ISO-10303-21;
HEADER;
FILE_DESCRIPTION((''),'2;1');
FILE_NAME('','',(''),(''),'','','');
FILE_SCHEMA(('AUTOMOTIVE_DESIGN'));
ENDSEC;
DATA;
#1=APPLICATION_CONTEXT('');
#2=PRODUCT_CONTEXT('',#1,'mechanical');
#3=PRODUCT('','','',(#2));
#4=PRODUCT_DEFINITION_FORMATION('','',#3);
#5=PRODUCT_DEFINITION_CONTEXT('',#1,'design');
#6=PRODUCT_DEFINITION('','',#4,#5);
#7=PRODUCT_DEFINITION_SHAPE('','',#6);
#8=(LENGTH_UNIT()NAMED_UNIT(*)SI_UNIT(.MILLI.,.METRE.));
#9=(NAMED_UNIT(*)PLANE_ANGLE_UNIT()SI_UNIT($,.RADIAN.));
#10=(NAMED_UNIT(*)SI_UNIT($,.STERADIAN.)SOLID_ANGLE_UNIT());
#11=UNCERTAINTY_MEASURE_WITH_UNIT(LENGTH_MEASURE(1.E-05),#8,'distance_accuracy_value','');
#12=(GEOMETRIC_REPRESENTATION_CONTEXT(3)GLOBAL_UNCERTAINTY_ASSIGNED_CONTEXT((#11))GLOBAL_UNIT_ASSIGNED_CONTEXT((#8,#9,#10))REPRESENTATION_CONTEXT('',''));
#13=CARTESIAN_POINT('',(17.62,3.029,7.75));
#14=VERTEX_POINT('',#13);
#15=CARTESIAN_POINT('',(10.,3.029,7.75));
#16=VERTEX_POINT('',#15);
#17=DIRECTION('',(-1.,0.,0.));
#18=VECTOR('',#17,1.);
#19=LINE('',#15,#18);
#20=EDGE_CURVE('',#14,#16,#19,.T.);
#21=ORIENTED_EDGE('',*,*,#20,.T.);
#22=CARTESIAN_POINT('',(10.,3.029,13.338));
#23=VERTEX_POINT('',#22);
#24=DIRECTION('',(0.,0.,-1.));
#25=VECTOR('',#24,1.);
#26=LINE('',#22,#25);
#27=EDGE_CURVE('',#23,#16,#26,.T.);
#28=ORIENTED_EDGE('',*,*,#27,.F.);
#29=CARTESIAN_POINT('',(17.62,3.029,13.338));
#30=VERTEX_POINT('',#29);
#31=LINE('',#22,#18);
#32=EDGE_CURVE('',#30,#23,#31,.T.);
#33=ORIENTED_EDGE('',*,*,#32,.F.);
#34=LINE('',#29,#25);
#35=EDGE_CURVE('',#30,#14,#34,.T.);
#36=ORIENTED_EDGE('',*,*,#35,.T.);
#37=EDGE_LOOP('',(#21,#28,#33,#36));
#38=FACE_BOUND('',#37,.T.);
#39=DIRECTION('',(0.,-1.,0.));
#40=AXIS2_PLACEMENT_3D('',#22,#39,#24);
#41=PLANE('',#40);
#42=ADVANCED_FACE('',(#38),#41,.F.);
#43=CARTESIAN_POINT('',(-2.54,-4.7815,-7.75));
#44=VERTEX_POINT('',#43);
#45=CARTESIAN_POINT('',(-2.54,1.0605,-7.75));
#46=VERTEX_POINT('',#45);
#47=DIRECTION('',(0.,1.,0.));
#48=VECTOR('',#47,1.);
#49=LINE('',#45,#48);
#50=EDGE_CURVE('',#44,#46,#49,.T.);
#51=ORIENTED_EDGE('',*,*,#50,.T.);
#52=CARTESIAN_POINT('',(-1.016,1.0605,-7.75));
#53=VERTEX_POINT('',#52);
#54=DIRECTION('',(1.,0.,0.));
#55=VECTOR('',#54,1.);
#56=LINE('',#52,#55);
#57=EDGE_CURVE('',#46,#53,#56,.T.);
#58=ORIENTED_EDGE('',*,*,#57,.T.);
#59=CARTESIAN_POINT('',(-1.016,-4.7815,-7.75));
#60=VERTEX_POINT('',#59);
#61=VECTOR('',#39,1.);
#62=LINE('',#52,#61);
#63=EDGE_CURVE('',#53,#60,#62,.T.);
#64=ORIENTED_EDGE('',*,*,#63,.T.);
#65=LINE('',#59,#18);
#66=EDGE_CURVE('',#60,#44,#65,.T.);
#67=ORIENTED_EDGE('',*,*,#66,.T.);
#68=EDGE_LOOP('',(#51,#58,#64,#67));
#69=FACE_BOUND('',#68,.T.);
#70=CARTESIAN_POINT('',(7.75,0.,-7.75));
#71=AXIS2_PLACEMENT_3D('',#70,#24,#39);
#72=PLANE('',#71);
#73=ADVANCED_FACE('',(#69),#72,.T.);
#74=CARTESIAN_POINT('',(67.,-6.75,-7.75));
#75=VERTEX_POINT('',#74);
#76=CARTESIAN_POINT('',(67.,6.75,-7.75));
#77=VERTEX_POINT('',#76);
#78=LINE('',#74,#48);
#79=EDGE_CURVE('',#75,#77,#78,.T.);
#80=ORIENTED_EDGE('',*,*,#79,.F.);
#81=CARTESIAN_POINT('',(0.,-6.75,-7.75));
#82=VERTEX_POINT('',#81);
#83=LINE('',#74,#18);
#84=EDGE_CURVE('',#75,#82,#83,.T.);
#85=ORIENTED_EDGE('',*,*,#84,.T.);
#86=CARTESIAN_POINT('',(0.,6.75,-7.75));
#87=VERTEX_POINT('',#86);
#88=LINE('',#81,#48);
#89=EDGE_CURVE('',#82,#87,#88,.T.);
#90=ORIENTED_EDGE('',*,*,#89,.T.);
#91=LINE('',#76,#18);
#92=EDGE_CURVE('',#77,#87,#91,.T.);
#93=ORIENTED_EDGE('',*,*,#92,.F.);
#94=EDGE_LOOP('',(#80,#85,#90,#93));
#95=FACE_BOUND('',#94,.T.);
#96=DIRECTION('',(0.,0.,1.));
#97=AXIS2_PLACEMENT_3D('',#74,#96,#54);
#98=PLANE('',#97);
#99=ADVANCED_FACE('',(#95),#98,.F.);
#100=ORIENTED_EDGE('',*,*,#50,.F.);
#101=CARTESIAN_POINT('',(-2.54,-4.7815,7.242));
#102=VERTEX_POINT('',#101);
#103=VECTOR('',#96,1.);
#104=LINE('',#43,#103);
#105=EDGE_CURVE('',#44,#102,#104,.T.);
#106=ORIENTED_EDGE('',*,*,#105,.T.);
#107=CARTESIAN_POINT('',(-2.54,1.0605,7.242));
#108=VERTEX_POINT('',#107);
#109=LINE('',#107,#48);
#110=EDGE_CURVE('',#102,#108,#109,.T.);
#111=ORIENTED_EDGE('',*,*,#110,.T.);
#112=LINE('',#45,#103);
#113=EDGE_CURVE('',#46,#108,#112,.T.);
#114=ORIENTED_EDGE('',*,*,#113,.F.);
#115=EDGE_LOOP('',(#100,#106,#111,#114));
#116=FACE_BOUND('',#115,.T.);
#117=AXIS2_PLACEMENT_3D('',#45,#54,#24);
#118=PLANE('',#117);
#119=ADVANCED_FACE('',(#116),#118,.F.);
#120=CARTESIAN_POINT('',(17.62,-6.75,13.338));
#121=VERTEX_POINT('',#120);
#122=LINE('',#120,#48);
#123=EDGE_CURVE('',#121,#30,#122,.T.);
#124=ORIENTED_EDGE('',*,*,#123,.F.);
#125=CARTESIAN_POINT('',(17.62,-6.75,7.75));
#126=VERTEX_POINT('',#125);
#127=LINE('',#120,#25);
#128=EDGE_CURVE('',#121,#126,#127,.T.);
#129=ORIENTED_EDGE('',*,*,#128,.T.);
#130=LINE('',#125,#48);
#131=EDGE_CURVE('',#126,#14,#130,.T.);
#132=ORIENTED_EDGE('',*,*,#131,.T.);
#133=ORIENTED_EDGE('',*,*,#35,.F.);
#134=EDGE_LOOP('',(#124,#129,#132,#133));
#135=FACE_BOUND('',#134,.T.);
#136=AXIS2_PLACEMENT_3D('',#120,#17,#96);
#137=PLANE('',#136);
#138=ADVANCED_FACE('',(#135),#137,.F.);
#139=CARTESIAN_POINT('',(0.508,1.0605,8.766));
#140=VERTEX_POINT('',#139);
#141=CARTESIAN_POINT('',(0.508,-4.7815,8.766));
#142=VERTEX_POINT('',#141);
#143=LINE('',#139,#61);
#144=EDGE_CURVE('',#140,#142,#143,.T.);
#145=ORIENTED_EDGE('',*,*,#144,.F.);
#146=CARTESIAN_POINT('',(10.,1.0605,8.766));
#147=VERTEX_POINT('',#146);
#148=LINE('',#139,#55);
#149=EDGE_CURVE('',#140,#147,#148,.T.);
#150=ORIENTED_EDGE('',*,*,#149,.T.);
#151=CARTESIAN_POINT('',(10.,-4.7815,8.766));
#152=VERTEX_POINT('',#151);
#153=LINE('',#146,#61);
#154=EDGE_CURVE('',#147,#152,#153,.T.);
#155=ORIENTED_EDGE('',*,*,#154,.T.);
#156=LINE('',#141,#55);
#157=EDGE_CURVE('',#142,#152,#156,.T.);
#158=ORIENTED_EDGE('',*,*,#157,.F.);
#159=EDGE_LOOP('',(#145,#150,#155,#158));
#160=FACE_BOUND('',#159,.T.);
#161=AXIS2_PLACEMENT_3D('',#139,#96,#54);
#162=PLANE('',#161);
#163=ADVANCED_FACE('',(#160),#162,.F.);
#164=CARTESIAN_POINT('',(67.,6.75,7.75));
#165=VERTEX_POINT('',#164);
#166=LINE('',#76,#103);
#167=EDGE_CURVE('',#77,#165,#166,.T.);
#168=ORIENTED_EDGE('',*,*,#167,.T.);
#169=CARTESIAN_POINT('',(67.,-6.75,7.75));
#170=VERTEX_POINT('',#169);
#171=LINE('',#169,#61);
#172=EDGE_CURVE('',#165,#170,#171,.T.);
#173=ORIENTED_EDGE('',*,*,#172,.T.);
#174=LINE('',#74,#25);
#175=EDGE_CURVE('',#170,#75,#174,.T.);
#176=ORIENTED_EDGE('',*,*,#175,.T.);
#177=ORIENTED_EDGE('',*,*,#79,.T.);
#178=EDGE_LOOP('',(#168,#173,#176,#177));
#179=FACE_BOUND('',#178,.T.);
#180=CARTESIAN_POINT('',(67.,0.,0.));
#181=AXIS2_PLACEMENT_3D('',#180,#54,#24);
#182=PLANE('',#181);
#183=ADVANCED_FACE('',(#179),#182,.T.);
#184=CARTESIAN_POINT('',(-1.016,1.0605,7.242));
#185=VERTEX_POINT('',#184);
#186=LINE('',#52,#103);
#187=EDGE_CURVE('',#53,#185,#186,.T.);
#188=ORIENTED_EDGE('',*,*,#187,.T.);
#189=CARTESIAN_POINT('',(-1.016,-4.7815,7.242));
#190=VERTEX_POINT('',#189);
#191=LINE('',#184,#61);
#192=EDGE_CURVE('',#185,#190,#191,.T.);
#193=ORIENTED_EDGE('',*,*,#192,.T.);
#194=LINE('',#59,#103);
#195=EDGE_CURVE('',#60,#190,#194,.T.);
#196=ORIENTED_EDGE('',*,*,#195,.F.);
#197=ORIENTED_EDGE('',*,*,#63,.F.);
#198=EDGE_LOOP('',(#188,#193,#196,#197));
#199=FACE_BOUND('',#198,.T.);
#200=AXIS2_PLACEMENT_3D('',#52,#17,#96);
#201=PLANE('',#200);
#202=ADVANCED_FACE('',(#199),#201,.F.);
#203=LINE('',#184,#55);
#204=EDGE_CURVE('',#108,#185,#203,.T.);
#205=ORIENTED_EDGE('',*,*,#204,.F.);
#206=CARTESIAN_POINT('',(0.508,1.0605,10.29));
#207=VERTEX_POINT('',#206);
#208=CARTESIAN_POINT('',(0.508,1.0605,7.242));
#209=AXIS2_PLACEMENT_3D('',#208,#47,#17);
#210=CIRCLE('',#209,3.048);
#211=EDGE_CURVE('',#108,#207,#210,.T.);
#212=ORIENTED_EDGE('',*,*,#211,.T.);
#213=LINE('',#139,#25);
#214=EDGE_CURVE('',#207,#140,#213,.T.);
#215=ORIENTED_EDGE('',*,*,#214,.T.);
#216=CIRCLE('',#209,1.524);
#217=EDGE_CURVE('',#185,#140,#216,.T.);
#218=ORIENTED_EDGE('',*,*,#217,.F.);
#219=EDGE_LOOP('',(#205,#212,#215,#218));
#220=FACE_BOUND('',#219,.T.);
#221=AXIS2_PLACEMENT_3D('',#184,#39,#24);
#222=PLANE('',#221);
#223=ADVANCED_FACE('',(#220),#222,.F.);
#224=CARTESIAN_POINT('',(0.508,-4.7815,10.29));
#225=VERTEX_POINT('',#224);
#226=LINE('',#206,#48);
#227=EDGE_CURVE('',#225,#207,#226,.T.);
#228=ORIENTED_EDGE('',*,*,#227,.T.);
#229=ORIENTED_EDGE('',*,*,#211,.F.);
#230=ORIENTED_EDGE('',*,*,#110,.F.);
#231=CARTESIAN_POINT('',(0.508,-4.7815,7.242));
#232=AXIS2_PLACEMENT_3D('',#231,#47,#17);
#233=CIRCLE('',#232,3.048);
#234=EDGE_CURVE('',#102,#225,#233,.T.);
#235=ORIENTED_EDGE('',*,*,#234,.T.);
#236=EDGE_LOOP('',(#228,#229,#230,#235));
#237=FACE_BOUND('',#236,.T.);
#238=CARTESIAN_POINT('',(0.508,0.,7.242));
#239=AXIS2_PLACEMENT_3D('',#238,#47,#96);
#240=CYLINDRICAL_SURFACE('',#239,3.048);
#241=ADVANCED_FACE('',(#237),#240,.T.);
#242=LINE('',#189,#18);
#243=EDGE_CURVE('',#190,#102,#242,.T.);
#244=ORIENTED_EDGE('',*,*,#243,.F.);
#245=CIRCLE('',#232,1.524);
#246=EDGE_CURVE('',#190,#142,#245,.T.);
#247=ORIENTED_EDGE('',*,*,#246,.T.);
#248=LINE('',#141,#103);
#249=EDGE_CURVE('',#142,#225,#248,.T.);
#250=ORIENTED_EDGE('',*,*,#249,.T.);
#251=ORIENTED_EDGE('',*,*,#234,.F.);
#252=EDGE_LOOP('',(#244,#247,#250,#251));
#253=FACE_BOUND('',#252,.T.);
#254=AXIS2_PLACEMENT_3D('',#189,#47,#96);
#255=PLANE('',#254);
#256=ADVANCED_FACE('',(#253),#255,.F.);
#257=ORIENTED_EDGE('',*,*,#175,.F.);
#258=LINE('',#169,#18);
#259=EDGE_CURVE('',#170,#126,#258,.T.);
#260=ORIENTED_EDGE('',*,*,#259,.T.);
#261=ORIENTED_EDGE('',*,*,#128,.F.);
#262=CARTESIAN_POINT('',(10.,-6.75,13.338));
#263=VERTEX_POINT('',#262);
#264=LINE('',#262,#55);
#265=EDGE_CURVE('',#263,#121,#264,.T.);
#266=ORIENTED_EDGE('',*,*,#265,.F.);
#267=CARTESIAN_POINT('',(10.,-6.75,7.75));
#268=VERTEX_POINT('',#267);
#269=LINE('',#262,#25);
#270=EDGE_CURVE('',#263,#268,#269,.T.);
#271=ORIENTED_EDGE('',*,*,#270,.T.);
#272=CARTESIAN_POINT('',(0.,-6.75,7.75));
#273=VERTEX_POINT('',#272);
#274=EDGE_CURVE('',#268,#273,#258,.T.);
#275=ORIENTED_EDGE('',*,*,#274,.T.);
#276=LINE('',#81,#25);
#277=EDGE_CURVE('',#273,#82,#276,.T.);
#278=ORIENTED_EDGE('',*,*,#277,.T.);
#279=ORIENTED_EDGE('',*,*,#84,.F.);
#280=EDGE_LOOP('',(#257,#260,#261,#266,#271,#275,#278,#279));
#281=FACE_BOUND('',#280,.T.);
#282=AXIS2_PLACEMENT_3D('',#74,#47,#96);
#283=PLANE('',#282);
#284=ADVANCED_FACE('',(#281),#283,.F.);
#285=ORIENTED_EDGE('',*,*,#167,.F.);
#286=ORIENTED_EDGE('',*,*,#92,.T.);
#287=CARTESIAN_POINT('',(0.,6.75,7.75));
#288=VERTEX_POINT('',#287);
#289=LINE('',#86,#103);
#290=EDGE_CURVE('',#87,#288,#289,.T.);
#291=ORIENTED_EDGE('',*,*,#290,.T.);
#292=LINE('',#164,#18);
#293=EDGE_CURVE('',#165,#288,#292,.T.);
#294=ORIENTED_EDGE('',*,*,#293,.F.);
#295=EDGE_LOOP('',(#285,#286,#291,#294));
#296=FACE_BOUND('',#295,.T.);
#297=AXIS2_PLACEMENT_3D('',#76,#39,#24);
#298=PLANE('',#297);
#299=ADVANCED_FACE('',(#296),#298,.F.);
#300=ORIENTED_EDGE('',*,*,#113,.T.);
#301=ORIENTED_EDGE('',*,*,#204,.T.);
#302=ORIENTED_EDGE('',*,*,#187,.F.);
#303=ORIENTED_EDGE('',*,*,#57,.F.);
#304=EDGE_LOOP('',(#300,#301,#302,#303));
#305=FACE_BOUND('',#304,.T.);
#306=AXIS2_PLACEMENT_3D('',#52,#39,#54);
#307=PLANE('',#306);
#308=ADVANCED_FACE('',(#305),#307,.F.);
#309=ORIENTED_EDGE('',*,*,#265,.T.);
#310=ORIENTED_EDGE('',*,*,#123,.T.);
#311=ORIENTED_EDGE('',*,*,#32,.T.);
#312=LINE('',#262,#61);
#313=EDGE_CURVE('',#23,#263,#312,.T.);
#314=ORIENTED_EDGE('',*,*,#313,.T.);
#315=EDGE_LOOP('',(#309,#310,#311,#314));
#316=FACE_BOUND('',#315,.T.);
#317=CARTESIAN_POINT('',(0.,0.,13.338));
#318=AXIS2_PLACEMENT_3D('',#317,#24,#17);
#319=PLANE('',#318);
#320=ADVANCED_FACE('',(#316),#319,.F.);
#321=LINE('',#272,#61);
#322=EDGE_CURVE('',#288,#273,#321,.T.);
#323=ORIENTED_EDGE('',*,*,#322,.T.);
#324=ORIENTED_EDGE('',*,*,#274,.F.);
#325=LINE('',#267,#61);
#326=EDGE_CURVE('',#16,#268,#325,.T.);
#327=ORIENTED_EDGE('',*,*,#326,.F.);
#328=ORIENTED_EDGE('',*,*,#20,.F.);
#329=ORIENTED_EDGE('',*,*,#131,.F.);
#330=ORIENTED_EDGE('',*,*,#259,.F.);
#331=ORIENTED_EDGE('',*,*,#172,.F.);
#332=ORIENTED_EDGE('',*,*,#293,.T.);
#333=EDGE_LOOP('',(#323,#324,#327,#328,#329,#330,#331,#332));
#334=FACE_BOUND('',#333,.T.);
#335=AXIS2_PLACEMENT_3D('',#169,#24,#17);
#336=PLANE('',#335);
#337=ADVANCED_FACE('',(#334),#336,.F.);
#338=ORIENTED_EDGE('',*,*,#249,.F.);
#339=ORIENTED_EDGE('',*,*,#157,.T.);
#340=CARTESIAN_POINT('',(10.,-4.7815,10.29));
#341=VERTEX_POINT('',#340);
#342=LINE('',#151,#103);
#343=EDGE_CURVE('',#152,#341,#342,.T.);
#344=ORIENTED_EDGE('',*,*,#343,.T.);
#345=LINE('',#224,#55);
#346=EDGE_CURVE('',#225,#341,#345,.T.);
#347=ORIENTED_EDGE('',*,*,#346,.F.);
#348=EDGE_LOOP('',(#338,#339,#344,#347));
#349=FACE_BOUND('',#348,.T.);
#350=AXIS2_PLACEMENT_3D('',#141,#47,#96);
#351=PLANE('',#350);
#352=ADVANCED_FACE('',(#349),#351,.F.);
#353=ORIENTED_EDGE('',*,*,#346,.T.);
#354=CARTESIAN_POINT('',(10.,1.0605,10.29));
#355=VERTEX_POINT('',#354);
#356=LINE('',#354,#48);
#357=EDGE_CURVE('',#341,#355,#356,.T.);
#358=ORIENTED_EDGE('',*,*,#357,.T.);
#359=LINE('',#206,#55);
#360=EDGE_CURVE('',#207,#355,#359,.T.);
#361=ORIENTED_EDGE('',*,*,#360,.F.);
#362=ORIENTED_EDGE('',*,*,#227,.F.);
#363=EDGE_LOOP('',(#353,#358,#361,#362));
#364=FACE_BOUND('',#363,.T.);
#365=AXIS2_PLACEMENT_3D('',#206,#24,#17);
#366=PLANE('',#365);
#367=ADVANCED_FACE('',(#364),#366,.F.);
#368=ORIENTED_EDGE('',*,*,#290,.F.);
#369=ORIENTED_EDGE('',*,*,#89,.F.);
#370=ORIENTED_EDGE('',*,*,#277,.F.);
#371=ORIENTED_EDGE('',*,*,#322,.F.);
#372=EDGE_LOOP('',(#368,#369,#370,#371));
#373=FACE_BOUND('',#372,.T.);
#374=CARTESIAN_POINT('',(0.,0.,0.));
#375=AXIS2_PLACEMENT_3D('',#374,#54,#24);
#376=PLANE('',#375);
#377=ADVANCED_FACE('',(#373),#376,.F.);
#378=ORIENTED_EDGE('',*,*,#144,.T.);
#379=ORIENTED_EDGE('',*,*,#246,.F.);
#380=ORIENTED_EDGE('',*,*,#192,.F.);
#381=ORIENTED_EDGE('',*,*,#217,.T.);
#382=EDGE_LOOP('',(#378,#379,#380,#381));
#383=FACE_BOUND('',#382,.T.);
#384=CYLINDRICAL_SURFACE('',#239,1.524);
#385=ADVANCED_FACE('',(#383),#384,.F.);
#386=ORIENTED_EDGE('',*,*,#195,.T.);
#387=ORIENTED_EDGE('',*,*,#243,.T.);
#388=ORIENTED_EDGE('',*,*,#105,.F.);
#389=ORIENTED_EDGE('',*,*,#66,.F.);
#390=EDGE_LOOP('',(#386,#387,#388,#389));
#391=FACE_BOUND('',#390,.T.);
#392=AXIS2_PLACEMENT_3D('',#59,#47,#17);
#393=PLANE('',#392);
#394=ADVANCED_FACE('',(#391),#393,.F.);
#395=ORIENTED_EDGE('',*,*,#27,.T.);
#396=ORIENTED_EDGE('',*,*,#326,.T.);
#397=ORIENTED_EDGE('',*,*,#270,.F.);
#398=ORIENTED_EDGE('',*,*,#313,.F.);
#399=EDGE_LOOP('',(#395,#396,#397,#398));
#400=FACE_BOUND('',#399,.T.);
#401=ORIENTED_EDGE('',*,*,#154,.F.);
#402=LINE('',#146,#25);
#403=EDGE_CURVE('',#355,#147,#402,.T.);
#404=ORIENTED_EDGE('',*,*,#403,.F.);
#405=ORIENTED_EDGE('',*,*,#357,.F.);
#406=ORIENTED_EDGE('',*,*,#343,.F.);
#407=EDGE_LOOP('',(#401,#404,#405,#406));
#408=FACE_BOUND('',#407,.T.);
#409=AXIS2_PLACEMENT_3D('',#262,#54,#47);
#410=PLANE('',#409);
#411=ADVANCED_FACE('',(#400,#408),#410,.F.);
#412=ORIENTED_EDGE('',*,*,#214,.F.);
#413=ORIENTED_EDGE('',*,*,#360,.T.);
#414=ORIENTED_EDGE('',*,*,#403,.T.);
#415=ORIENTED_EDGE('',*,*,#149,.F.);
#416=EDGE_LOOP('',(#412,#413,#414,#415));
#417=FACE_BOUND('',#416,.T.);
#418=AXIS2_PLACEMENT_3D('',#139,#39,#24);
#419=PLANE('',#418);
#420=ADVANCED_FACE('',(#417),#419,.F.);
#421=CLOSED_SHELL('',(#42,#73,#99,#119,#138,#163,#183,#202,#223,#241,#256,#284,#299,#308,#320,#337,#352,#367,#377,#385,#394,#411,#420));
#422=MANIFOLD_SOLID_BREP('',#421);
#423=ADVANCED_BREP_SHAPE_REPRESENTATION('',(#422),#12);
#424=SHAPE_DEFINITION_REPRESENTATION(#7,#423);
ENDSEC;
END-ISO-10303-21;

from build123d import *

# Parameters (mm, degrees)
SKETCH1_W           = 15.5
SKETCH1_H           = 13.5
BOSS_EXTRUDE1_DEPTH = 67
SKETCH2_W           = 7.62
SKETCH2_H           = 9.779
BOSS_EXTRUDE2_DEPTH = 5.588
SKETCH4_W           = 1.524
SKETCH4_H           = 5.842


with BuildPart() as part:
    # Sketch1 → Boss-Extrude1 (new body)
    with BuildSketch(Plane(origin=(0, 0, 0), x_dir=(0, 0, -1), z_dir=(1, 0, 0))):
        Rectangle(SKETCH1_W, SKETCH1_H)
    extrude(amount=BOSS_EXTRUDE1_DEPTH)

    # Sketch2 → Boss-Extrude2 (add)
    with BuildSketch(Plane.XY.offset(7.75)):
        with Locations((13.81, -1.8605)):
            Rectangle(SKETCH2_W, SKETCH2_H)
    extrude(amount=BOSS_EXTRUDE2_DEPTH)

    # Sweep1: sweep along a path in Sketch3
    with BuildLine(Plane(origin=(0, 0, 0), x_dir=(1, 0, 0), z_dir=(0, 1, 0))) as sweep1_path:
        Line((-0.762, 7.75), (-0.762, -7.242))
        ThreePointArc((-0.762, -7.242), (-0.390025612, -8.140025612), (0.508, -8.512))
        Line((0.508, -8.512), (10, -8.512))
    # Sketch4 → Sweep1 (sweep)
    with BuildSketch(Plane.ZY.offset(-10)):
        with Locations((9.528, -1.8605)):
            Rectangle(SKETCH4_W, SKETCH4_H)
    sweep(path=sweep1_path.line)


solid = part.part
